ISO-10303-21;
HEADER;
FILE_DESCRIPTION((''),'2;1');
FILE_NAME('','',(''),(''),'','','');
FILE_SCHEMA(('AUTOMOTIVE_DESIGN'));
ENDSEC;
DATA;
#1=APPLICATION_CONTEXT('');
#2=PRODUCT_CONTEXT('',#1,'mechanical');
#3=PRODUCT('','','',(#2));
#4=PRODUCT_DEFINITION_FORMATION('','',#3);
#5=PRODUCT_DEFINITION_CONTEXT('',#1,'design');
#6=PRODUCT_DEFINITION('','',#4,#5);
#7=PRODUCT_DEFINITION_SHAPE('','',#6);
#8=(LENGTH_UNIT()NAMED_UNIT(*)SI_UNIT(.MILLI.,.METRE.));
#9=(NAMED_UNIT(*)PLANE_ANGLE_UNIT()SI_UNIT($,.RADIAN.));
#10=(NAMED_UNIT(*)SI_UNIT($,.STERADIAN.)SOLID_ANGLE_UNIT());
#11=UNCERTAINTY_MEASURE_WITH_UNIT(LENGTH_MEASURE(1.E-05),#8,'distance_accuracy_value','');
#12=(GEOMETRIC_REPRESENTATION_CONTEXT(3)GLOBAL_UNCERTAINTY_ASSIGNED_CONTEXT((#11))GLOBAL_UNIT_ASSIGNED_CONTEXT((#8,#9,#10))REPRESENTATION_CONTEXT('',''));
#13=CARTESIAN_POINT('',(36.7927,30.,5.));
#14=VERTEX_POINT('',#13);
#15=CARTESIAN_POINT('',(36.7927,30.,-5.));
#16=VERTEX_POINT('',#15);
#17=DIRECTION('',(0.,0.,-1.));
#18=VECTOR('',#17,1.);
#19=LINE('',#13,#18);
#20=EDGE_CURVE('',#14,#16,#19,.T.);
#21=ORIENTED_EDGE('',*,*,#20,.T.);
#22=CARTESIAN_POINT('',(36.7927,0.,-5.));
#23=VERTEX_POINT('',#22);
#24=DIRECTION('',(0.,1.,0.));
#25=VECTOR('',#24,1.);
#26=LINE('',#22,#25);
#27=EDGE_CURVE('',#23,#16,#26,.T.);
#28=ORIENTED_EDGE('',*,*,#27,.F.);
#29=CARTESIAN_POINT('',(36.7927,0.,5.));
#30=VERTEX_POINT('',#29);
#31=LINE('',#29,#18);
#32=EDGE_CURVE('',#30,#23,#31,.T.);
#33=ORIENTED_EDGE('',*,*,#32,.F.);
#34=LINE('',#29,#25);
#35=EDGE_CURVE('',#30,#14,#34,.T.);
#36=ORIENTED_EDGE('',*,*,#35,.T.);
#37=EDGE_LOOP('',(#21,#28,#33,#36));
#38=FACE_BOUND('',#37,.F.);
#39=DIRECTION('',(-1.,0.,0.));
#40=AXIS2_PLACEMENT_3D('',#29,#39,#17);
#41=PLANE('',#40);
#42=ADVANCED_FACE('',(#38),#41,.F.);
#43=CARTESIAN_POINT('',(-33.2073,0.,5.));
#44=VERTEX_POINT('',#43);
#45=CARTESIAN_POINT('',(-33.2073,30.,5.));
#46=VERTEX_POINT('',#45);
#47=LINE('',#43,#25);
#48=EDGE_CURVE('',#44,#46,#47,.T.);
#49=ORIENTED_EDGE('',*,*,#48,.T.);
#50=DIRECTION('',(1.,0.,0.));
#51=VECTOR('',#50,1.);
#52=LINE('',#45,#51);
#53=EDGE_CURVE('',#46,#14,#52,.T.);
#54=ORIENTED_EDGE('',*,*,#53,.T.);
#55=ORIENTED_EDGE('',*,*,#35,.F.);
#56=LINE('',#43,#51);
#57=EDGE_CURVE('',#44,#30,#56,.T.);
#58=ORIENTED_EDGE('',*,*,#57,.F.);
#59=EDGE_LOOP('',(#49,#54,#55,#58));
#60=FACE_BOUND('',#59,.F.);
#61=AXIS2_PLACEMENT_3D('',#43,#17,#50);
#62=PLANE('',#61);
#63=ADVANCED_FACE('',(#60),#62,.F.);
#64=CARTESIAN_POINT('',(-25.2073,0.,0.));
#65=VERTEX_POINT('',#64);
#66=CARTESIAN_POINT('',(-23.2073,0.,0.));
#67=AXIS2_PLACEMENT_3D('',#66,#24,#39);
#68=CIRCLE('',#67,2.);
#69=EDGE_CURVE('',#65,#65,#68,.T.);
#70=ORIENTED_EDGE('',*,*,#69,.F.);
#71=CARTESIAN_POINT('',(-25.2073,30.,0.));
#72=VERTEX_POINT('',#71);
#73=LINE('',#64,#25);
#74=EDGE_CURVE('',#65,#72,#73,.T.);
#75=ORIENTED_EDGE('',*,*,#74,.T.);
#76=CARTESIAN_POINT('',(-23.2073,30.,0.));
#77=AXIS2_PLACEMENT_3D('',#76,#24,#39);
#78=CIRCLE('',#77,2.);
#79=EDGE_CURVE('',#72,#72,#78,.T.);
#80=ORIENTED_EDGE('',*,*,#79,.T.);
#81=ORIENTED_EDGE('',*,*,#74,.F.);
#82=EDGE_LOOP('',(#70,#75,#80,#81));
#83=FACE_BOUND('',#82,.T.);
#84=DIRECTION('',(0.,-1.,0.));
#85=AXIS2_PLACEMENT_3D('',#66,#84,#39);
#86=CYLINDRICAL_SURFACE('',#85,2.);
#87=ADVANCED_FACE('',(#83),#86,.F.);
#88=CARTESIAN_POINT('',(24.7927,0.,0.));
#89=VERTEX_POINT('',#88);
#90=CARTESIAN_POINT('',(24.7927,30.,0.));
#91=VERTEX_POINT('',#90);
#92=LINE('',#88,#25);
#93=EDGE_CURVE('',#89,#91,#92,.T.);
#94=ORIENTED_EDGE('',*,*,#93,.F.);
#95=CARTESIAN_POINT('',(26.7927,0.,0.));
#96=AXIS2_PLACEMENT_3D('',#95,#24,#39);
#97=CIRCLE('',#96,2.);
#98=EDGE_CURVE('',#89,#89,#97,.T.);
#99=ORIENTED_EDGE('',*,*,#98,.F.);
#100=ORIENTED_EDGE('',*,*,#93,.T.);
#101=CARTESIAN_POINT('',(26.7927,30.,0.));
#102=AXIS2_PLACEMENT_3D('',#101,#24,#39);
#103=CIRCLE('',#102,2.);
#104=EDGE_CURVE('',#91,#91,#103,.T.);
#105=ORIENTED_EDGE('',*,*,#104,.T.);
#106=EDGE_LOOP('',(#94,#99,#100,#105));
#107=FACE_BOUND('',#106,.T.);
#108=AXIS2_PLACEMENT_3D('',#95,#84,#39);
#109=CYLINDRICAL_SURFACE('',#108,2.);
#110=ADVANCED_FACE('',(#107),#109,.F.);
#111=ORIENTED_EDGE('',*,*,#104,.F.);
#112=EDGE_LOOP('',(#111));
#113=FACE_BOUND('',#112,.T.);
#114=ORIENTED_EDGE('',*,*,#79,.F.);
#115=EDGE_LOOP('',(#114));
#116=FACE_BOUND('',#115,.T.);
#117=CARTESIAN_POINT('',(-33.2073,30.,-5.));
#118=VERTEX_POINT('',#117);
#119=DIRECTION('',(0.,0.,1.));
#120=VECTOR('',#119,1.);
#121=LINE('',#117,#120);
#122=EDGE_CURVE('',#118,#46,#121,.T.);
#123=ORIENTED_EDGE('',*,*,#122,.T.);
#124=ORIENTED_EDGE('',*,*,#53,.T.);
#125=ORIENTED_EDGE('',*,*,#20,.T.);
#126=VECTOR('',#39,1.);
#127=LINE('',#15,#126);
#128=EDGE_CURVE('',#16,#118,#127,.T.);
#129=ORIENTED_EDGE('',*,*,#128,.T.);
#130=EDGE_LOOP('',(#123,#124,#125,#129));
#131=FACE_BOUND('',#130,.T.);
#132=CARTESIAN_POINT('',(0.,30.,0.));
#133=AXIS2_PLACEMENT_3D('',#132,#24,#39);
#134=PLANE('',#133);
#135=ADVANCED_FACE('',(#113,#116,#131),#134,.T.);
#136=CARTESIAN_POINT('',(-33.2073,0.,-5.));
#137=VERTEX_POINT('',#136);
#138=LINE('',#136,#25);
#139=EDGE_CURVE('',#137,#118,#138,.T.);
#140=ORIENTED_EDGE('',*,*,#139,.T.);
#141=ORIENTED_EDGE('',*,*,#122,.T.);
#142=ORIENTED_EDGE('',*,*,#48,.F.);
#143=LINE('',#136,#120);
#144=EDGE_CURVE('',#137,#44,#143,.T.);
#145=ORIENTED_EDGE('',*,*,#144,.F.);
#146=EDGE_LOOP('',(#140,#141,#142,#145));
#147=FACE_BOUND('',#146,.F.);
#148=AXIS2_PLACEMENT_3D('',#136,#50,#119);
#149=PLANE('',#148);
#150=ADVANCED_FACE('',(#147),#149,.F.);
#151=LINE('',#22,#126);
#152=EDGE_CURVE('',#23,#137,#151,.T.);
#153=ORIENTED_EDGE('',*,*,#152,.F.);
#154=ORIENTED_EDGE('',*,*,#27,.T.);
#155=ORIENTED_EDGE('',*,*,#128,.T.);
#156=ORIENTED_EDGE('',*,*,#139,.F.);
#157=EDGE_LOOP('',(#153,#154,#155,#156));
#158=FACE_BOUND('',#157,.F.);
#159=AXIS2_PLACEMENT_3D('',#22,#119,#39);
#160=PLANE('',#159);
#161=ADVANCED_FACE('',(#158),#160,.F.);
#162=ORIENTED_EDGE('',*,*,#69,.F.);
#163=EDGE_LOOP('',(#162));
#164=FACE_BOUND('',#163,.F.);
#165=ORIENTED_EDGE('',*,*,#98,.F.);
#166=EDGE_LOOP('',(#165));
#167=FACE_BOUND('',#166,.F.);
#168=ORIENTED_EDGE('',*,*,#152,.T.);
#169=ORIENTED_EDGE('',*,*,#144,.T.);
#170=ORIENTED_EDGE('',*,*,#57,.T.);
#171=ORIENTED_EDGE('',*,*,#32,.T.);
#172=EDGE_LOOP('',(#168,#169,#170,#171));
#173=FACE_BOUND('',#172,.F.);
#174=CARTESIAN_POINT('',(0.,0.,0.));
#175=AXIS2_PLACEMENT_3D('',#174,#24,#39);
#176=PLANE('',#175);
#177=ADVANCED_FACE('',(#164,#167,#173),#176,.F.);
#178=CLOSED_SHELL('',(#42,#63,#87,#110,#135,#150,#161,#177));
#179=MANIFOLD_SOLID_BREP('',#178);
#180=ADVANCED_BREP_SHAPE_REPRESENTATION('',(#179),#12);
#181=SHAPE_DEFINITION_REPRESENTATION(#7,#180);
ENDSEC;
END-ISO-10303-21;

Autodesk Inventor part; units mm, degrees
ref_plane "YZ Plane" through (0, 0, 0) normal (1, 0, 0) x (0, 1, 0)
ref_plane "XZ Plane" through (0, 0, 0) normal (0, 1, 0) x (-1, 0, 0)
ref_plane "XY Plane" through (0, 0, 0) normal (0, 0, 1) x (1, 0, 0)
sketch "Sketch1" plane through (0, 0, 0) normal (0, 1, 0) x (-1, 0, 0)
  line L0 (33.2073, 5) -> (-36.7927, 5)
  line L1 (-36.7927, 5) -> (-36.7927, -5)
  line L2 (-36.7927, -5) -> (33.2073, -5)
  line L3 (33.2073, -5) -> (33.2073, 5)
  line L4 (33.2073, 5) -> (-36.7927, -5) construction
  line L5 (-36.7927, 5) -> (33.2073, -5) construction
  circle A0 centre (23.2073, 0) radius 2
  circle A1 centre (-26.7927, 0) radius 2
  point P0 (-1.7927, 0)
  point P1 (-1.7927, -5)
  dimension "d0" = 10
  dimension "d4" = 70
  dimension "d5" = 4
  dimension "d6" = 4
  dimension "d7" = 10
  dimension "d8" = 10
  dimension "d9" = 50
extrude "Extrusion1" add sketch "Sketch1" along normal blind 30
properties part number "Schiebegewicht Wand"
